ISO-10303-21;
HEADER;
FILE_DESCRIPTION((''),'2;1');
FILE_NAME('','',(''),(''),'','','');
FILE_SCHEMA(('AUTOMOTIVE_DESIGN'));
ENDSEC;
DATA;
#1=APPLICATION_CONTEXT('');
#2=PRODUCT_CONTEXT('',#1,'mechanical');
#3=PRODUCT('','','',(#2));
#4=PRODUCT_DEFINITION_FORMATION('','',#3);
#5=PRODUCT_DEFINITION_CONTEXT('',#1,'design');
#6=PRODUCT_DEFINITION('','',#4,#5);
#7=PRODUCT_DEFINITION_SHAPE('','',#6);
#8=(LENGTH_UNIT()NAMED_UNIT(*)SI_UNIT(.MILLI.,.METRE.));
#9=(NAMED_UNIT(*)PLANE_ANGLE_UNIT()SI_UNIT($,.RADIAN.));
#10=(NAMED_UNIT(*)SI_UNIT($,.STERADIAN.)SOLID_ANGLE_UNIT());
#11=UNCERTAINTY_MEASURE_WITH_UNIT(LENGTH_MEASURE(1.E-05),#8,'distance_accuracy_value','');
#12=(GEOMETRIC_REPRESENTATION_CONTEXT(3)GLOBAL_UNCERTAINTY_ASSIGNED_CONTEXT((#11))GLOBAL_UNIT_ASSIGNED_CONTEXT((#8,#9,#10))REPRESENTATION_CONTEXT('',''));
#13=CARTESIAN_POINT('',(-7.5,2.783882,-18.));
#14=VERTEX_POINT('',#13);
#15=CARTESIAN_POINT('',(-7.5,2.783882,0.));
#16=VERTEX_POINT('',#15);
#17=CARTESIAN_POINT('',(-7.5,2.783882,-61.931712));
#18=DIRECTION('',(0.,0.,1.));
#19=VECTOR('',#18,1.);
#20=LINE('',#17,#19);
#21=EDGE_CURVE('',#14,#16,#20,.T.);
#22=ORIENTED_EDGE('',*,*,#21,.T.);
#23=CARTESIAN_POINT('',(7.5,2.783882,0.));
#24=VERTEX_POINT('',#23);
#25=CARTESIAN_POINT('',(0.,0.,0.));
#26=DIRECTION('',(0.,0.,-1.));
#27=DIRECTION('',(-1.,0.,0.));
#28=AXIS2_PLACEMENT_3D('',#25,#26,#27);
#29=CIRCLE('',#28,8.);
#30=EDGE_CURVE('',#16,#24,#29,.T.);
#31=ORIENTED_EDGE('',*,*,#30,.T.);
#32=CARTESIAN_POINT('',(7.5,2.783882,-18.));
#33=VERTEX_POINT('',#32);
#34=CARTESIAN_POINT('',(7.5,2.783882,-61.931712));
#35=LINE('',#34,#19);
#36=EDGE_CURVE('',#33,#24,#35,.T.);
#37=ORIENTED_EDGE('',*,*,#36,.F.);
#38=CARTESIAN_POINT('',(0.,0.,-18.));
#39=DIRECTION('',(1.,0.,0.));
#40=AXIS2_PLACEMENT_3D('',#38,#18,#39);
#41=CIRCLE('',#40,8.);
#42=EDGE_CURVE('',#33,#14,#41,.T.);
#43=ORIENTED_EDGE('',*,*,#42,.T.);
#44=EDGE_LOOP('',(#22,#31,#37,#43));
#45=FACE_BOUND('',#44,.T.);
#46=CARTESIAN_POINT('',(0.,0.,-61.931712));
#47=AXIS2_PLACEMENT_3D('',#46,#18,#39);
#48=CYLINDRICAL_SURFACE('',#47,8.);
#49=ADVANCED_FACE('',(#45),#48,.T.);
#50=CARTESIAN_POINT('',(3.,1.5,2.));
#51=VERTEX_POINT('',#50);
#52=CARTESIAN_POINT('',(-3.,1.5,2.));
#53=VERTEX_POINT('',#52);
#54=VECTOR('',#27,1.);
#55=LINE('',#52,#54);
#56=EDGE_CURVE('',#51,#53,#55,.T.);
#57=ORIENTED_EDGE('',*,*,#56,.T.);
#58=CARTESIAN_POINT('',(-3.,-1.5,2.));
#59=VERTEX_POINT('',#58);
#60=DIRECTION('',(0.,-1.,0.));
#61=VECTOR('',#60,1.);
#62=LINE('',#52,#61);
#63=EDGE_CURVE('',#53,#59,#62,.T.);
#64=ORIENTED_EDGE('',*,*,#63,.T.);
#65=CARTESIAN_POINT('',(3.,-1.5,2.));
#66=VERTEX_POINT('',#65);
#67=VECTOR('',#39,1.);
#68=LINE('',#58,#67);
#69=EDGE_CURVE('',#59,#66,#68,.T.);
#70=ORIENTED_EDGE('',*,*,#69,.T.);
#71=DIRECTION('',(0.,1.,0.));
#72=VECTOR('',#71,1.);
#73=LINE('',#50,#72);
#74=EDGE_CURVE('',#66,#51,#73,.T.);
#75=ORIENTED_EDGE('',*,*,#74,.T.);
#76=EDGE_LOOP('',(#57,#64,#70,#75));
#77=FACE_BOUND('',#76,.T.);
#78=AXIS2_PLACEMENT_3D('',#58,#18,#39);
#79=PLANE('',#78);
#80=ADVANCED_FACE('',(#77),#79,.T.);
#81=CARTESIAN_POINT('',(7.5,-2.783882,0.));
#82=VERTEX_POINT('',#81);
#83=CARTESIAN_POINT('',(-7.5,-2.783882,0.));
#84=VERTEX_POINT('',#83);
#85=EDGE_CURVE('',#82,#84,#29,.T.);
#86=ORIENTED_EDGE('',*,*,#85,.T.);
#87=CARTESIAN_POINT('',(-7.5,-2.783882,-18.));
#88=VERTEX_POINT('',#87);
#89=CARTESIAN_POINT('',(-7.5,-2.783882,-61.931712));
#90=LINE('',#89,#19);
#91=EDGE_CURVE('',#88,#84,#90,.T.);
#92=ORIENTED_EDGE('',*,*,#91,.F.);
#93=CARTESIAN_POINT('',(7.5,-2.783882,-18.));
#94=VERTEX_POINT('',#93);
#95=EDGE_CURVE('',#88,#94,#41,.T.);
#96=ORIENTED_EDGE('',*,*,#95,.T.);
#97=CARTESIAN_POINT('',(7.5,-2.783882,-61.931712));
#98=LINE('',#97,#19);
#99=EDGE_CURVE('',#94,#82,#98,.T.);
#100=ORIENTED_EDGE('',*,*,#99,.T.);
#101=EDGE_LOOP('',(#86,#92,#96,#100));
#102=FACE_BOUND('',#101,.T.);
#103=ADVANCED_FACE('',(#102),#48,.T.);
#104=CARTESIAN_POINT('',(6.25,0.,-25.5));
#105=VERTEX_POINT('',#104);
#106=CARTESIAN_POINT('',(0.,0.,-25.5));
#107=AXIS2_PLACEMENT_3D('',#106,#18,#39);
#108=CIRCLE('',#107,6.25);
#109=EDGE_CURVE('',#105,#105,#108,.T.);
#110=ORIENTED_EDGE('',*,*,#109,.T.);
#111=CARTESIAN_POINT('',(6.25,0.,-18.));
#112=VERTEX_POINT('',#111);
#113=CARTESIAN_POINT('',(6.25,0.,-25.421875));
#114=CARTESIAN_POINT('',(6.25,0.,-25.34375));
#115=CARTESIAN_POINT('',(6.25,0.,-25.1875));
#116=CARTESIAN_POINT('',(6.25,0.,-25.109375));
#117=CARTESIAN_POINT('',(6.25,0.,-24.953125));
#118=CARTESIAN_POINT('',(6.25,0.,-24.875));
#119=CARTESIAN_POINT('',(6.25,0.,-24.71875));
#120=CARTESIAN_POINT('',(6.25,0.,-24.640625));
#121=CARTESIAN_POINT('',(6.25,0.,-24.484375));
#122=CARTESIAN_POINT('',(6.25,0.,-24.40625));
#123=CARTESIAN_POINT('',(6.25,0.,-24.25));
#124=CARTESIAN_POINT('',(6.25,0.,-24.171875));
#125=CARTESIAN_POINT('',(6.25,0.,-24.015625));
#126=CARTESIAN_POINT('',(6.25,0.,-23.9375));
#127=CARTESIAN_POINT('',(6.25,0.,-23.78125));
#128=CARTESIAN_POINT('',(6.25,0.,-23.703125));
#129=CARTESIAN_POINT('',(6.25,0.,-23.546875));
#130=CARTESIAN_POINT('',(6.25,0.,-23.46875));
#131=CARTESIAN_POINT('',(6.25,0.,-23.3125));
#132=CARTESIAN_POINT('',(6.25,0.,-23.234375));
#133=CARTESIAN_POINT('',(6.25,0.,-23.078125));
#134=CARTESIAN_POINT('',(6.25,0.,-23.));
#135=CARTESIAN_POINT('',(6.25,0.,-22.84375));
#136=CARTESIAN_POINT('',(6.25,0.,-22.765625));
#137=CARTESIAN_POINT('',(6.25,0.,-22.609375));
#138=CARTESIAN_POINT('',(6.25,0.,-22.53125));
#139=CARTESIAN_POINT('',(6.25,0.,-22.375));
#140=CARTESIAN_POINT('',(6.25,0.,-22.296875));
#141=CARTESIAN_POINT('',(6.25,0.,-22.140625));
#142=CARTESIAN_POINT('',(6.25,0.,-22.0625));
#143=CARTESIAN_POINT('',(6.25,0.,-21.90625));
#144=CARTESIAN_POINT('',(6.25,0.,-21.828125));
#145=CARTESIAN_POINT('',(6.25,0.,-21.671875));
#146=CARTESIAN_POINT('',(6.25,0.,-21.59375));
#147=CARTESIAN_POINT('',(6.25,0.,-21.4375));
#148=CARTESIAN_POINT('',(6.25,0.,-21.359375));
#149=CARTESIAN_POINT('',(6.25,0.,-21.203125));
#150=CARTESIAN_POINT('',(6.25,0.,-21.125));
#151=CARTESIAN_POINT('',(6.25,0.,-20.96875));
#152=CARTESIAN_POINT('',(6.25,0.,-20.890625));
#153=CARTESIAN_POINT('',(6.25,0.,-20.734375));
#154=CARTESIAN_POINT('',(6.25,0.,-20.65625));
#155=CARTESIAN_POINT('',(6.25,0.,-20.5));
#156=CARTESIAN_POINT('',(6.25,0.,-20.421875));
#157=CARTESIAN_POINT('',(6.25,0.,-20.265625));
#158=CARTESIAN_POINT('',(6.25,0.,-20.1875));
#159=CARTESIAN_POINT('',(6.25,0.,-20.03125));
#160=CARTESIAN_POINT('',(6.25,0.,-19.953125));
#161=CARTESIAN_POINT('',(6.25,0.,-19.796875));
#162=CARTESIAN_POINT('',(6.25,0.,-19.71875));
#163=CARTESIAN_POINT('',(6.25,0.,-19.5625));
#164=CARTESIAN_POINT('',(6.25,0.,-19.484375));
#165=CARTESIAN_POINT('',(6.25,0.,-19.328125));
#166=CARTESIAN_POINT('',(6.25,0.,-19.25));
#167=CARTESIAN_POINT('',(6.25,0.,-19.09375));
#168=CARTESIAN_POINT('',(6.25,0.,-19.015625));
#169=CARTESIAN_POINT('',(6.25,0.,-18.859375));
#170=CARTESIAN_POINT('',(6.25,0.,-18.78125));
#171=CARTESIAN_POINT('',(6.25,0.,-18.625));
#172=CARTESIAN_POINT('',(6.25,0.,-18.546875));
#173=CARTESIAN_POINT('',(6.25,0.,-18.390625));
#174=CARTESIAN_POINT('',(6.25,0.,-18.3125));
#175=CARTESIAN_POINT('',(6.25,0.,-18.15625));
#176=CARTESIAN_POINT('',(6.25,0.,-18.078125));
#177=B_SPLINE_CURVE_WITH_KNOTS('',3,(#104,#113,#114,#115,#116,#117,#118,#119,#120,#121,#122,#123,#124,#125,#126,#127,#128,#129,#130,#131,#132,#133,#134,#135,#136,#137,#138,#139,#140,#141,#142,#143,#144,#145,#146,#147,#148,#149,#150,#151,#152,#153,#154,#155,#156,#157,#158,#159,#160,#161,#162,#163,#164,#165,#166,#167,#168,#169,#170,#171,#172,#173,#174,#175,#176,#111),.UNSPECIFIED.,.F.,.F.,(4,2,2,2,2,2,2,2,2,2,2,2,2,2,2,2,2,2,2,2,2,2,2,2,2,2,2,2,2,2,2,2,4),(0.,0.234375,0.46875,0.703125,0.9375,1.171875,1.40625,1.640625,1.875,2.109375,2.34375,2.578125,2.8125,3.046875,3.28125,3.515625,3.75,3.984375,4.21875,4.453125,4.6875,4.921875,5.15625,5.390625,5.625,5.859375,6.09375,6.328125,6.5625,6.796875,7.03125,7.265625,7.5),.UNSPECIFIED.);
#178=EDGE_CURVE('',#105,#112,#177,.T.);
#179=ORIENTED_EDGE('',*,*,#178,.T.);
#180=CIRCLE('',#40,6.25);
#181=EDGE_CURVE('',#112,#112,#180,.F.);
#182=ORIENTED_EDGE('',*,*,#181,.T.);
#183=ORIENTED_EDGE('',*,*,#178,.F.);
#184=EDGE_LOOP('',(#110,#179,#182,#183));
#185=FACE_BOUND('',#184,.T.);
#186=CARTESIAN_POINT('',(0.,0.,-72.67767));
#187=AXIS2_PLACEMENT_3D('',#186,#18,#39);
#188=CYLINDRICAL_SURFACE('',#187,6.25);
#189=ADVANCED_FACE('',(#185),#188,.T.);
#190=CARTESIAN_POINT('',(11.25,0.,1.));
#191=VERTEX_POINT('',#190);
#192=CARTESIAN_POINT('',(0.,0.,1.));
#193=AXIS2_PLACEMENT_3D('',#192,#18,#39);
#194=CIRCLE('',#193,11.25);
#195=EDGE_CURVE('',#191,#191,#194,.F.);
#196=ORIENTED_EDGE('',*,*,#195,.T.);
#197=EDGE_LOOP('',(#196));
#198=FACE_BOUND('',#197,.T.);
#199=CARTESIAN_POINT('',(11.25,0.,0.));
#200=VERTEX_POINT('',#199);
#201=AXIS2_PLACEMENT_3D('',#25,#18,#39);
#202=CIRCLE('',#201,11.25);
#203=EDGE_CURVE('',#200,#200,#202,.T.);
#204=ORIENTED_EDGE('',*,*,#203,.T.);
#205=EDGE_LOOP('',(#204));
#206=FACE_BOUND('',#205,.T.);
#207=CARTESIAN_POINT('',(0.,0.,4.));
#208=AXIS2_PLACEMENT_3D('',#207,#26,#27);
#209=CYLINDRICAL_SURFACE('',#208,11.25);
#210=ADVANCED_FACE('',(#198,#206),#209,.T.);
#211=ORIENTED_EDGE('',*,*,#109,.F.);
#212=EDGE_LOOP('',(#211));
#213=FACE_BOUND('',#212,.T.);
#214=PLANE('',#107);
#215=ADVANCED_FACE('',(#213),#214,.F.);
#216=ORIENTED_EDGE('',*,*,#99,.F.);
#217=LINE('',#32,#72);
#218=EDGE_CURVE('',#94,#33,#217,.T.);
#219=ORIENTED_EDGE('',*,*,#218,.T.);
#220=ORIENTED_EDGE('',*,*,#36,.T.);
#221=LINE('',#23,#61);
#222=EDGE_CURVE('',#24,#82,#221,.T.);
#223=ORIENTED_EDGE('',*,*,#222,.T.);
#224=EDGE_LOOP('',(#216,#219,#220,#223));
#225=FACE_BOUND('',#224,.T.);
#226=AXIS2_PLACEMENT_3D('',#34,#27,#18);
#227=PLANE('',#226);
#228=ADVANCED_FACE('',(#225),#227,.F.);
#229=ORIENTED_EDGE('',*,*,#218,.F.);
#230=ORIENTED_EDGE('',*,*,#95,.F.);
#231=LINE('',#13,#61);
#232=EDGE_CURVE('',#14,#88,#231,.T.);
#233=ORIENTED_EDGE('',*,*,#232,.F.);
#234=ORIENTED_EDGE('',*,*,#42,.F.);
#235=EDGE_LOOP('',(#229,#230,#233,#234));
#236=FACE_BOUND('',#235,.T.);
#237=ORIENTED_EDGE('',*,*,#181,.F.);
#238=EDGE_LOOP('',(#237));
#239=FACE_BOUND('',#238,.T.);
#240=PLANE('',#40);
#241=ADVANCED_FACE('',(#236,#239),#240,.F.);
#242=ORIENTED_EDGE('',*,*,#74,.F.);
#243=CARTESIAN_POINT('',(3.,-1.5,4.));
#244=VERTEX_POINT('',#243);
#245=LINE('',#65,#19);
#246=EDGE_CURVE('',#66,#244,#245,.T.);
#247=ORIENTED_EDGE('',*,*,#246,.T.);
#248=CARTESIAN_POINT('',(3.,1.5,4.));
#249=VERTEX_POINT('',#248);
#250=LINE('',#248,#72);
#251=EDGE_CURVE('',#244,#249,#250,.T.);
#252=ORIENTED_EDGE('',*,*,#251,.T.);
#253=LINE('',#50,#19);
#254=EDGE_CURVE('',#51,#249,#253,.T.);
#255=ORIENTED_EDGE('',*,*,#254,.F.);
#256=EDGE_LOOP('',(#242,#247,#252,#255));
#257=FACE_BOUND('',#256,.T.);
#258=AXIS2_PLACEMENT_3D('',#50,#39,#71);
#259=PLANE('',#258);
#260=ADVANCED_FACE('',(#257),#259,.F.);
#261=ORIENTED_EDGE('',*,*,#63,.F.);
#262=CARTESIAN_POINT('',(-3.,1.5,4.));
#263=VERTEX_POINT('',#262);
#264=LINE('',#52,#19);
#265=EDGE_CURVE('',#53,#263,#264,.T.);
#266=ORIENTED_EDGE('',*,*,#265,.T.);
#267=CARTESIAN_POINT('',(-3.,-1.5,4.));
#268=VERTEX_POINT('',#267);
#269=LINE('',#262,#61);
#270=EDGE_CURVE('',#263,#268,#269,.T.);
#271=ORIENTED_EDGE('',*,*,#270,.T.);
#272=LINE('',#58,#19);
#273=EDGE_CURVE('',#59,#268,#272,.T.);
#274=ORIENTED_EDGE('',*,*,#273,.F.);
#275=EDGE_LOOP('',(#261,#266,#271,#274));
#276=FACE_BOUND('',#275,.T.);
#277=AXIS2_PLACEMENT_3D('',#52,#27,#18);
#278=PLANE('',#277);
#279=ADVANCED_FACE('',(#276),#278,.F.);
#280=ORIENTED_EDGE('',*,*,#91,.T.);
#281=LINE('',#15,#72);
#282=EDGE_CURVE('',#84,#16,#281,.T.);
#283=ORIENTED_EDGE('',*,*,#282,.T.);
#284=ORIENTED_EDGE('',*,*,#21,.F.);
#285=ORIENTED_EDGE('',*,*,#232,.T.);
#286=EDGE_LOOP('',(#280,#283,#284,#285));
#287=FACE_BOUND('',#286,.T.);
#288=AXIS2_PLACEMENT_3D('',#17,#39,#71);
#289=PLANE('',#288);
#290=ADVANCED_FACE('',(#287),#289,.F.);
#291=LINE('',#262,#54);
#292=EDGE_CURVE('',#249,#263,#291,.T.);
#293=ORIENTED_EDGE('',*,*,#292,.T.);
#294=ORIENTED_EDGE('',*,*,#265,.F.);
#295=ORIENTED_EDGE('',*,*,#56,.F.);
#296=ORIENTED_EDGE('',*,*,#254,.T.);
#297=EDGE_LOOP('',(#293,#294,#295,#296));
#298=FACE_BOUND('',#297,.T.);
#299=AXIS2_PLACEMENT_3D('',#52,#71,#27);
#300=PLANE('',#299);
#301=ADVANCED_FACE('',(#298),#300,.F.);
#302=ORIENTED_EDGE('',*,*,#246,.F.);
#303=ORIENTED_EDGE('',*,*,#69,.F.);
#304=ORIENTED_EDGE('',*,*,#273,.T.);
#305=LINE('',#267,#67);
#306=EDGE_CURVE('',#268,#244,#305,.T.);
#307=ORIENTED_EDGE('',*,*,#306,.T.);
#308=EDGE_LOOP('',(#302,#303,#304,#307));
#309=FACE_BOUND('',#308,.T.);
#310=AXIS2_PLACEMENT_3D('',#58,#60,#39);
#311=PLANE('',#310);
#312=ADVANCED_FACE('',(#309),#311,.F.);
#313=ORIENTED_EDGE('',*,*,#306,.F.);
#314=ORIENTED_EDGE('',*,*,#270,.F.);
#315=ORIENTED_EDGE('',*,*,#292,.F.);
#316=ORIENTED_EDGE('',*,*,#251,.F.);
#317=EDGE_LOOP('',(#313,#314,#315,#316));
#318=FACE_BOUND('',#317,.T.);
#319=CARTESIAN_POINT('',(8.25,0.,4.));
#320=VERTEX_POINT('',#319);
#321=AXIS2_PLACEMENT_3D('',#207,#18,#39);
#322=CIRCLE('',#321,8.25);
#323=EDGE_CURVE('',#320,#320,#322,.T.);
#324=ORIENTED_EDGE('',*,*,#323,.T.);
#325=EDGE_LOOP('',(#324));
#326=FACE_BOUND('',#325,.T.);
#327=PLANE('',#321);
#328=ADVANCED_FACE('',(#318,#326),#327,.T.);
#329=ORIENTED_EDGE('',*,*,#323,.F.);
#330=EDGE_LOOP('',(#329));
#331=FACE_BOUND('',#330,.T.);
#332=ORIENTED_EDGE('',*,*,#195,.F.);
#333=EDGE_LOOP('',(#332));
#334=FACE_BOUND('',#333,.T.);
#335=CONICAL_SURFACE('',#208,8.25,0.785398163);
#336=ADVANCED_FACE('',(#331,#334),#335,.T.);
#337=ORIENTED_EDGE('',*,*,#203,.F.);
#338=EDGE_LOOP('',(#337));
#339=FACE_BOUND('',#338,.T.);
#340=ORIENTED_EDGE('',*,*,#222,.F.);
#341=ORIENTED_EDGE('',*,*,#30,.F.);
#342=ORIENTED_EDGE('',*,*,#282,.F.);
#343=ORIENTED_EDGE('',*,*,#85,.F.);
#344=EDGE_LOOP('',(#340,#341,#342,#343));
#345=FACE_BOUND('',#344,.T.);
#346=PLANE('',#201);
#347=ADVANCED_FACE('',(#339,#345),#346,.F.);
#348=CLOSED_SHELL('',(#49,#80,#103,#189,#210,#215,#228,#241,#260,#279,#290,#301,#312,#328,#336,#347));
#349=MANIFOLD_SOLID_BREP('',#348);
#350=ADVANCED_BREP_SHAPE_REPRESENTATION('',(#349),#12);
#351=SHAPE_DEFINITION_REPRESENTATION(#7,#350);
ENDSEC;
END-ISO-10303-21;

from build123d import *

# Parameters (mm, degrees)
SKETCH_1_R          = 11.25
EXTRUDE_1_DEPTH     = 4
CHAMFER_1_SIZE      = 3
SKETCH_2_W          = 6
SKETCH_2_H          = 3
CUT_EXTRUDE_1_DEPTH = 2
EXTRUDE_2_DEPTH     = 18
SKETCH_4_R          = 6.25
EXTRUDE_3_DEPTH     = 7.5


with BuildPart() as part:
    # 草图1 → 拉伸1 (new body)
    with BuildSketch(Plane.XY):
        Circle(SKETCH_1_R)
    extrude(amount=EXTRUDE_1_DEPTH)

    # 倒角1
    chamfer_1_edges = [part.edges().sort_by_distance(p)[0] for p in [
        (-11.25, 0, 4),
    ]]
    chamfer(chamfer_1_edges, length=CHAMFER_1_SIZE)

    # 草图2 → 切除-拉伸1 (cut)
    with BuildSketch(Plane.XY.offset(4)):
        Rectangle(SKETCH_2_W, SKETCH_2_H)
    extrude(amount=-CUT_EXTRUDE_1_DEPTH, mode=Mode.SUBTRACT)

    # 草图3 → 拉伸2 (add)
    with BuildSketch(Plane(origin=(0, 0, 0), x_dir=(-1, 0, 0), z_dir=(0, 0, -1))):
        with BuildLine():
            Line((-7.5, 2.783882181), (-7.5, -2.783882181))
            ThreePointArc((-7.5, -2.783882181), (0, -8), (7.5, -2.783882181))
            Line((7.5, -2.783882181), (7.5, 2.783882181))
            ThreePointArc((7.5, 2.783882181), (0, 8), (-7.5, 2.783882181))
        make_face()
    extrude(amount=EXTRUDE_2_DEPTH)

    # 草图4 → 拉伸3 (add)
    with BuildSketch(Plane(origin=(0, 0, -18), x_dir=(-1, 0, 0), z_dir=(0, 0, -1))):
        with Locations(Location((0, 0, 0), (0, 0, 180))):
            Circle(SKETCH_4_R)
    extrude(amount=EXTRUDE_3_DEPTH)


solid = part.part
